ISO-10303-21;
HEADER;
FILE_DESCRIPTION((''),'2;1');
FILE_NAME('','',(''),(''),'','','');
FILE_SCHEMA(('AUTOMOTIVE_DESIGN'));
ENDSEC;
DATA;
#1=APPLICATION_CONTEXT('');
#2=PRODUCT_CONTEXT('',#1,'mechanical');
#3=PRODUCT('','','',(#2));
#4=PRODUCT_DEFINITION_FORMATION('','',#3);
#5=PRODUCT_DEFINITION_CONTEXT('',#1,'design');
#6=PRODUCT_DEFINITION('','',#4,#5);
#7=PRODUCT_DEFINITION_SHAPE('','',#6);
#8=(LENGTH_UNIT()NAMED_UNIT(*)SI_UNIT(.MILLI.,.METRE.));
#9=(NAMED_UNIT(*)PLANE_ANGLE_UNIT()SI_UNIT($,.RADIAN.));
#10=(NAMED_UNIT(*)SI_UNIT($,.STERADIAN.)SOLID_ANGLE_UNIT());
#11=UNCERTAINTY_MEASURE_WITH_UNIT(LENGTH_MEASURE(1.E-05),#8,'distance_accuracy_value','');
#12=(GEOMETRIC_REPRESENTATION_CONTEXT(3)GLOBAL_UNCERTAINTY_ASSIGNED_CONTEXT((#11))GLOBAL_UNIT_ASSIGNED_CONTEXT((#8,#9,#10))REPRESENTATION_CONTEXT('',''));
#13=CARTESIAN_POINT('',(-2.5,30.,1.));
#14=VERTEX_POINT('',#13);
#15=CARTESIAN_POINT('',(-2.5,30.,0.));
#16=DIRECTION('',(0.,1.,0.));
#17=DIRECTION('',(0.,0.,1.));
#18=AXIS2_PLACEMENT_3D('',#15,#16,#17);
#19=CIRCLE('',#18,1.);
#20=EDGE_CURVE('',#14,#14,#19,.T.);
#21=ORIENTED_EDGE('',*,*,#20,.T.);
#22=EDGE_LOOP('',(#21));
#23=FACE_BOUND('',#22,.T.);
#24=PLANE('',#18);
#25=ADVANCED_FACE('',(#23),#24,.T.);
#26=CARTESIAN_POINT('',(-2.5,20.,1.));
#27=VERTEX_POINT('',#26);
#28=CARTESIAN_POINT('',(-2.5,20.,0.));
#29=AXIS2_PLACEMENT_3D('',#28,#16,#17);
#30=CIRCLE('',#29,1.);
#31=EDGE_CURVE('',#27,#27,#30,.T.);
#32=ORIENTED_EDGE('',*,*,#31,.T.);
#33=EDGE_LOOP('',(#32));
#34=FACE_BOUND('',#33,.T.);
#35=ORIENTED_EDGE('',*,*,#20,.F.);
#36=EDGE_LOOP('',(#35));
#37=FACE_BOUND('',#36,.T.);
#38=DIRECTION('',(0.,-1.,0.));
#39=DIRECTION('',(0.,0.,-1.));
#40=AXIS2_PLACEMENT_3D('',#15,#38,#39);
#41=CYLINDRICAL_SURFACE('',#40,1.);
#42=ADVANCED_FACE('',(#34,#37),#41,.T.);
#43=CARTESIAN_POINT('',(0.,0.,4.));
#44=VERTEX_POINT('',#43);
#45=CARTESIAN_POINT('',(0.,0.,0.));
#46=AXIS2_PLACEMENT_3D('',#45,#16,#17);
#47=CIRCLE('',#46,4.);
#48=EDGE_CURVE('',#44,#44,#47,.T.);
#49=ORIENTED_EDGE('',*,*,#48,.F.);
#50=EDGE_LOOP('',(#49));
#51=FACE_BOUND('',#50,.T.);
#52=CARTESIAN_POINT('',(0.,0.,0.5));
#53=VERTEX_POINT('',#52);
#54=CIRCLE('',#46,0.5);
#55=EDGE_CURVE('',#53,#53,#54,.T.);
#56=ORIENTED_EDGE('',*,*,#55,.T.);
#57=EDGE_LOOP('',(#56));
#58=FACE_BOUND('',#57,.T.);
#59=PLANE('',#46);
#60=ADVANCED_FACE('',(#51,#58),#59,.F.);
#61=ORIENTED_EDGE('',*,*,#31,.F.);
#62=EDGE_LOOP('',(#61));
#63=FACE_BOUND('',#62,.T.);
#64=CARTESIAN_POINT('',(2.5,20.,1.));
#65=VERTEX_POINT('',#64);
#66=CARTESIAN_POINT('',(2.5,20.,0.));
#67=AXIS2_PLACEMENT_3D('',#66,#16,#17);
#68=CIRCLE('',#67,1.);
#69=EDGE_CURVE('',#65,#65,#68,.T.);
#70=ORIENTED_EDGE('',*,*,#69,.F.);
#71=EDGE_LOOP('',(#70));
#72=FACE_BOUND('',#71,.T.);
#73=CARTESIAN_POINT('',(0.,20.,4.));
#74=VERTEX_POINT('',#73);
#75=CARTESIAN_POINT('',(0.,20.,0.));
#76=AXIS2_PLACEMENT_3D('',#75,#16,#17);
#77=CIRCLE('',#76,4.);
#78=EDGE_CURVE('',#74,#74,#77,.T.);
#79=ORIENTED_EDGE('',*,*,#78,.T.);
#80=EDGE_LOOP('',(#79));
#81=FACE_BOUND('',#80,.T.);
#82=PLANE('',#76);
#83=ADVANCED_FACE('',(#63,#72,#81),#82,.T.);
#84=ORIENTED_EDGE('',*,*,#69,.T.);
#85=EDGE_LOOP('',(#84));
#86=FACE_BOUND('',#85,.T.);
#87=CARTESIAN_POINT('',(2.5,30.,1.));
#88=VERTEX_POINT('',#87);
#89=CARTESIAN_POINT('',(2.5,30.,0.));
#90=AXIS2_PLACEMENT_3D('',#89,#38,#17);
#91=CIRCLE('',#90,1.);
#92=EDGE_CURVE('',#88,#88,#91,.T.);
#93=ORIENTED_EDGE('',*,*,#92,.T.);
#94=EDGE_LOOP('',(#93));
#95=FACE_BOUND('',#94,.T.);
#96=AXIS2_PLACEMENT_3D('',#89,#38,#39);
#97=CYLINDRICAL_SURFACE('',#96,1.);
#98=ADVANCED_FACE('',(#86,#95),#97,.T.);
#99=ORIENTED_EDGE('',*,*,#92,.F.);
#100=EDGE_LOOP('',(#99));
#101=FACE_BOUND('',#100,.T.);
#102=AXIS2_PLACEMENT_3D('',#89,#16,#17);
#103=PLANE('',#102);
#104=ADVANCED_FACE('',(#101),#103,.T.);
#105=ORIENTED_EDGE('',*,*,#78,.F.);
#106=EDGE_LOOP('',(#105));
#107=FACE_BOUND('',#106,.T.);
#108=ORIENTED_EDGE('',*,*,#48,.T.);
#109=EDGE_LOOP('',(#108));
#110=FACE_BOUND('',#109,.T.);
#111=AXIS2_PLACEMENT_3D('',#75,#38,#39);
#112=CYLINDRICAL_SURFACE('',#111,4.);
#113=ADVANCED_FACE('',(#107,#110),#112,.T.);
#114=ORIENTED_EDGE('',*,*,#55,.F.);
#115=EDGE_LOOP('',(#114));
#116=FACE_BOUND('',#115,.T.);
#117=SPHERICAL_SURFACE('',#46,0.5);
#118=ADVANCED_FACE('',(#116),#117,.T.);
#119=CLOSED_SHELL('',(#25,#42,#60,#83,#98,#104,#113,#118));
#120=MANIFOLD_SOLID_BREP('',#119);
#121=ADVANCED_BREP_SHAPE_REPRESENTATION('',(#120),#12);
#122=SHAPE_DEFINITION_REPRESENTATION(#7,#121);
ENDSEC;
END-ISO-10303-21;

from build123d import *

# Parameters (mm, degrees)
SKETCH_1_R      = 4
EXTRUDE_1_DEPTH = 20
SKETCH_2_R      = 1
EXTRUDE_2_DEPTH = 10


with BuildPart() as part:
    # 草图1 → 凸台-拉伸1 (new body)
    with BuildSketch(Plane(origin=(0, 0, 0), x_dir=(1, 0, 0), z_dir=(0, 1, 0))):
        with Locations(Location((0, 0, 0), (0, 0, 270))):
            Circle(SKETCH_1_R)
    extrude(amount=EXTRUDE_1_DEPTH)

    # 草图2 → 凸台-拉伸2 (add)
    with BuildSketch(Plane(origin=(0, 20, 0), x_dir=(1, 0, 0), z_dir=(0, 1, 0))):
        with Locations(Location((-2.5, 0, 0), (0, 0, 270))):
            Circle(SKETCH_2_R)
    extrude_2 = extrude(amount=EXTRUDE_2_DEPTH)

    # 镜向1: 凸台-拉伸2 across plane
    add(extrude_2.mirror(Plane(origin=(0, 0, 0), x_dir=(0, 0, 1), z_dir=(1, 0, 0))))

    # 草图4 → 旋转1 (revolve)
    with BuildSketch(Plane.XZ):
        with BuildLine():
            Line((0, 0.5), (0, -0.5))
            ThreePointArc((0, -0.5), (-0.5, 0), (0, 0.5))
        make_face()
    revolve(axis=Axis((0, 0, 0.5), (0, 0, -1)))


solid = part.part
